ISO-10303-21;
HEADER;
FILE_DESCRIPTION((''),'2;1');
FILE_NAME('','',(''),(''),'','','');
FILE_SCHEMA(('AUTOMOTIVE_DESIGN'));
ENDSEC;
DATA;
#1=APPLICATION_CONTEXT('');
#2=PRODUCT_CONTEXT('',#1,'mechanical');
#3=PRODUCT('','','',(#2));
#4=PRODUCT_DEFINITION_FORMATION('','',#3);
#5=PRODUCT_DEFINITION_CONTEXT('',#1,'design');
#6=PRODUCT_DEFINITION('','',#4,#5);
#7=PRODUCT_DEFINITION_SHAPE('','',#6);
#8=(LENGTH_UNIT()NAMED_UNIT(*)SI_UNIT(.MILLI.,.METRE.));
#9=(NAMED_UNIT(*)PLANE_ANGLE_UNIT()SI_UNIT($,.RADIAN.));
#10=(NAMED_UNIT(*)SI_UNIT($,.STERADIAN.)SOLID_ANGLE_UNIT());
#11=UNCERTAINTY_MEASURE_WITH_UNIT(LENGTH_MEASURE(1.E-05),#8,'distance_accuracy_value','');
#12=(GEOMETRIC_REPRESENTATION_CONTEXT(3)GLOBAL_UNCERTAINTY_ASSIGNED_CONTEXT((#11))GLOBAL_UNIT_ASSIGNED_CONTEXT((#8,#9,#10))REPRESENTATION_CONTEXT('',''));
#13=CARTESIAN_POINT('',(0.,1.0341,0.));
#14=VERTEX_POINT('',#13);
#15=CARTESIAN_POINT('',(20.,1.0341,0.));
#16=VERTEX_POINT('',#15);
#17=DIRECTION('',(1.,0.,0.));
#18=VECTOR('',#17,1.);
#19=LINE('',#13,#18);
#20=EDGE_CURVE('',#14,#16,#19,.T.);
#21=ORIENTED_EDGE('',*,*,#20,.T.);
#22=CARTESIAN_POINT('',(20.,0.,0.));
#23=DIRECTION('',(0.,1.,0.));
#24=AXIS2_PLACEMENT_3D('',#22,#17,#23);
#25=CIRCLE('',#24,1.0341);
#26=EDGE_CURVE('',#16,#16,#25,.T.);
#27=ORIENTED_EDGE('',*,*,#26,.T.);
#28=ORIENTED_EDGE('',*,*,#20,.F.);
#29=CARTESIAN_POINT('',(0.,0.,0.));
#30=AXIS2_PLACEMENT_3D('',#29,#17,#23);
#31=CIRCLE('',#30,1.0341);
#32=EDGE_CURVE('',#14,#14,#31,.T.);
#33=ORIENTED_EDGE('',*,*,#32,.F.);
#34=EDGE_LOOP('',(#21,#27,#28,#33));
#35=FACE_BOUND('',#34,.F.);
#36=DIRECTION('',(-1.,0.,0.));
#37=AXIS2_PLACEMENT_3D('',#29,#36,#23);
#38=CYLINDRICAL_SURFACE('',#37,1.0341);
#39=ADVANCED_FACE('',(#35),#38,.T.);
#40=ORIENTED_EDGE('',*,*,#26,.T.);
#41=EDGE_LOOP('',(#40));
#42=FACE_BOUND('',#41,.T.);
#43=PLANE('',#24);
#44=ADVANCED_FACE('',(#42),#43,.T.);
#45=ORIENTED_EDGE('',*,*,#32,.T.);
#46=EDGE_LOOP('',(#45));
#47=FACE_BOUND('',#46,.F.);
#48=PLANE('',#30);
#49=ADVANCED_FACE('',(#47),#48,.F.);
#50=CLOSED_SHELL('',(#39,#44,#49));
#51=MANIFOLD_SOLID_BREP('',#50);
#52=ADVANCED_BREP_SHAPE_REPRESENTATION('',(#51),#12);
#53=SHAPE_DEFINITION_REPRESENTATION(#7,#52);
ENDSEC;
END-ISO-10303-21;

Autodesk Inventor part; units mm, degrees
ref_plane "YZ Plane" through (0, 0, 0) normal (1, 0, 0) x (0, 1, 0)
ref_plane "XZ Plane" through (0, 0, 0) normal (0, 1, 0) x (-1, 0, 0)
ref_plane "XY Plane" through (0, 0, 0) normal (0, 0, 1) x (1, 0, 0)
sketch "Sketch1" plane through (0, 0, 0) normal (1, 0, 0) x (0, 1, 0)
  circle A0 centre (0, 0) radius 1.0341
  dimension "d0" = 20
extrude "Extrusion1" add sketch "Sketch1" along normal blind 20
properties part number "driveshaft"
